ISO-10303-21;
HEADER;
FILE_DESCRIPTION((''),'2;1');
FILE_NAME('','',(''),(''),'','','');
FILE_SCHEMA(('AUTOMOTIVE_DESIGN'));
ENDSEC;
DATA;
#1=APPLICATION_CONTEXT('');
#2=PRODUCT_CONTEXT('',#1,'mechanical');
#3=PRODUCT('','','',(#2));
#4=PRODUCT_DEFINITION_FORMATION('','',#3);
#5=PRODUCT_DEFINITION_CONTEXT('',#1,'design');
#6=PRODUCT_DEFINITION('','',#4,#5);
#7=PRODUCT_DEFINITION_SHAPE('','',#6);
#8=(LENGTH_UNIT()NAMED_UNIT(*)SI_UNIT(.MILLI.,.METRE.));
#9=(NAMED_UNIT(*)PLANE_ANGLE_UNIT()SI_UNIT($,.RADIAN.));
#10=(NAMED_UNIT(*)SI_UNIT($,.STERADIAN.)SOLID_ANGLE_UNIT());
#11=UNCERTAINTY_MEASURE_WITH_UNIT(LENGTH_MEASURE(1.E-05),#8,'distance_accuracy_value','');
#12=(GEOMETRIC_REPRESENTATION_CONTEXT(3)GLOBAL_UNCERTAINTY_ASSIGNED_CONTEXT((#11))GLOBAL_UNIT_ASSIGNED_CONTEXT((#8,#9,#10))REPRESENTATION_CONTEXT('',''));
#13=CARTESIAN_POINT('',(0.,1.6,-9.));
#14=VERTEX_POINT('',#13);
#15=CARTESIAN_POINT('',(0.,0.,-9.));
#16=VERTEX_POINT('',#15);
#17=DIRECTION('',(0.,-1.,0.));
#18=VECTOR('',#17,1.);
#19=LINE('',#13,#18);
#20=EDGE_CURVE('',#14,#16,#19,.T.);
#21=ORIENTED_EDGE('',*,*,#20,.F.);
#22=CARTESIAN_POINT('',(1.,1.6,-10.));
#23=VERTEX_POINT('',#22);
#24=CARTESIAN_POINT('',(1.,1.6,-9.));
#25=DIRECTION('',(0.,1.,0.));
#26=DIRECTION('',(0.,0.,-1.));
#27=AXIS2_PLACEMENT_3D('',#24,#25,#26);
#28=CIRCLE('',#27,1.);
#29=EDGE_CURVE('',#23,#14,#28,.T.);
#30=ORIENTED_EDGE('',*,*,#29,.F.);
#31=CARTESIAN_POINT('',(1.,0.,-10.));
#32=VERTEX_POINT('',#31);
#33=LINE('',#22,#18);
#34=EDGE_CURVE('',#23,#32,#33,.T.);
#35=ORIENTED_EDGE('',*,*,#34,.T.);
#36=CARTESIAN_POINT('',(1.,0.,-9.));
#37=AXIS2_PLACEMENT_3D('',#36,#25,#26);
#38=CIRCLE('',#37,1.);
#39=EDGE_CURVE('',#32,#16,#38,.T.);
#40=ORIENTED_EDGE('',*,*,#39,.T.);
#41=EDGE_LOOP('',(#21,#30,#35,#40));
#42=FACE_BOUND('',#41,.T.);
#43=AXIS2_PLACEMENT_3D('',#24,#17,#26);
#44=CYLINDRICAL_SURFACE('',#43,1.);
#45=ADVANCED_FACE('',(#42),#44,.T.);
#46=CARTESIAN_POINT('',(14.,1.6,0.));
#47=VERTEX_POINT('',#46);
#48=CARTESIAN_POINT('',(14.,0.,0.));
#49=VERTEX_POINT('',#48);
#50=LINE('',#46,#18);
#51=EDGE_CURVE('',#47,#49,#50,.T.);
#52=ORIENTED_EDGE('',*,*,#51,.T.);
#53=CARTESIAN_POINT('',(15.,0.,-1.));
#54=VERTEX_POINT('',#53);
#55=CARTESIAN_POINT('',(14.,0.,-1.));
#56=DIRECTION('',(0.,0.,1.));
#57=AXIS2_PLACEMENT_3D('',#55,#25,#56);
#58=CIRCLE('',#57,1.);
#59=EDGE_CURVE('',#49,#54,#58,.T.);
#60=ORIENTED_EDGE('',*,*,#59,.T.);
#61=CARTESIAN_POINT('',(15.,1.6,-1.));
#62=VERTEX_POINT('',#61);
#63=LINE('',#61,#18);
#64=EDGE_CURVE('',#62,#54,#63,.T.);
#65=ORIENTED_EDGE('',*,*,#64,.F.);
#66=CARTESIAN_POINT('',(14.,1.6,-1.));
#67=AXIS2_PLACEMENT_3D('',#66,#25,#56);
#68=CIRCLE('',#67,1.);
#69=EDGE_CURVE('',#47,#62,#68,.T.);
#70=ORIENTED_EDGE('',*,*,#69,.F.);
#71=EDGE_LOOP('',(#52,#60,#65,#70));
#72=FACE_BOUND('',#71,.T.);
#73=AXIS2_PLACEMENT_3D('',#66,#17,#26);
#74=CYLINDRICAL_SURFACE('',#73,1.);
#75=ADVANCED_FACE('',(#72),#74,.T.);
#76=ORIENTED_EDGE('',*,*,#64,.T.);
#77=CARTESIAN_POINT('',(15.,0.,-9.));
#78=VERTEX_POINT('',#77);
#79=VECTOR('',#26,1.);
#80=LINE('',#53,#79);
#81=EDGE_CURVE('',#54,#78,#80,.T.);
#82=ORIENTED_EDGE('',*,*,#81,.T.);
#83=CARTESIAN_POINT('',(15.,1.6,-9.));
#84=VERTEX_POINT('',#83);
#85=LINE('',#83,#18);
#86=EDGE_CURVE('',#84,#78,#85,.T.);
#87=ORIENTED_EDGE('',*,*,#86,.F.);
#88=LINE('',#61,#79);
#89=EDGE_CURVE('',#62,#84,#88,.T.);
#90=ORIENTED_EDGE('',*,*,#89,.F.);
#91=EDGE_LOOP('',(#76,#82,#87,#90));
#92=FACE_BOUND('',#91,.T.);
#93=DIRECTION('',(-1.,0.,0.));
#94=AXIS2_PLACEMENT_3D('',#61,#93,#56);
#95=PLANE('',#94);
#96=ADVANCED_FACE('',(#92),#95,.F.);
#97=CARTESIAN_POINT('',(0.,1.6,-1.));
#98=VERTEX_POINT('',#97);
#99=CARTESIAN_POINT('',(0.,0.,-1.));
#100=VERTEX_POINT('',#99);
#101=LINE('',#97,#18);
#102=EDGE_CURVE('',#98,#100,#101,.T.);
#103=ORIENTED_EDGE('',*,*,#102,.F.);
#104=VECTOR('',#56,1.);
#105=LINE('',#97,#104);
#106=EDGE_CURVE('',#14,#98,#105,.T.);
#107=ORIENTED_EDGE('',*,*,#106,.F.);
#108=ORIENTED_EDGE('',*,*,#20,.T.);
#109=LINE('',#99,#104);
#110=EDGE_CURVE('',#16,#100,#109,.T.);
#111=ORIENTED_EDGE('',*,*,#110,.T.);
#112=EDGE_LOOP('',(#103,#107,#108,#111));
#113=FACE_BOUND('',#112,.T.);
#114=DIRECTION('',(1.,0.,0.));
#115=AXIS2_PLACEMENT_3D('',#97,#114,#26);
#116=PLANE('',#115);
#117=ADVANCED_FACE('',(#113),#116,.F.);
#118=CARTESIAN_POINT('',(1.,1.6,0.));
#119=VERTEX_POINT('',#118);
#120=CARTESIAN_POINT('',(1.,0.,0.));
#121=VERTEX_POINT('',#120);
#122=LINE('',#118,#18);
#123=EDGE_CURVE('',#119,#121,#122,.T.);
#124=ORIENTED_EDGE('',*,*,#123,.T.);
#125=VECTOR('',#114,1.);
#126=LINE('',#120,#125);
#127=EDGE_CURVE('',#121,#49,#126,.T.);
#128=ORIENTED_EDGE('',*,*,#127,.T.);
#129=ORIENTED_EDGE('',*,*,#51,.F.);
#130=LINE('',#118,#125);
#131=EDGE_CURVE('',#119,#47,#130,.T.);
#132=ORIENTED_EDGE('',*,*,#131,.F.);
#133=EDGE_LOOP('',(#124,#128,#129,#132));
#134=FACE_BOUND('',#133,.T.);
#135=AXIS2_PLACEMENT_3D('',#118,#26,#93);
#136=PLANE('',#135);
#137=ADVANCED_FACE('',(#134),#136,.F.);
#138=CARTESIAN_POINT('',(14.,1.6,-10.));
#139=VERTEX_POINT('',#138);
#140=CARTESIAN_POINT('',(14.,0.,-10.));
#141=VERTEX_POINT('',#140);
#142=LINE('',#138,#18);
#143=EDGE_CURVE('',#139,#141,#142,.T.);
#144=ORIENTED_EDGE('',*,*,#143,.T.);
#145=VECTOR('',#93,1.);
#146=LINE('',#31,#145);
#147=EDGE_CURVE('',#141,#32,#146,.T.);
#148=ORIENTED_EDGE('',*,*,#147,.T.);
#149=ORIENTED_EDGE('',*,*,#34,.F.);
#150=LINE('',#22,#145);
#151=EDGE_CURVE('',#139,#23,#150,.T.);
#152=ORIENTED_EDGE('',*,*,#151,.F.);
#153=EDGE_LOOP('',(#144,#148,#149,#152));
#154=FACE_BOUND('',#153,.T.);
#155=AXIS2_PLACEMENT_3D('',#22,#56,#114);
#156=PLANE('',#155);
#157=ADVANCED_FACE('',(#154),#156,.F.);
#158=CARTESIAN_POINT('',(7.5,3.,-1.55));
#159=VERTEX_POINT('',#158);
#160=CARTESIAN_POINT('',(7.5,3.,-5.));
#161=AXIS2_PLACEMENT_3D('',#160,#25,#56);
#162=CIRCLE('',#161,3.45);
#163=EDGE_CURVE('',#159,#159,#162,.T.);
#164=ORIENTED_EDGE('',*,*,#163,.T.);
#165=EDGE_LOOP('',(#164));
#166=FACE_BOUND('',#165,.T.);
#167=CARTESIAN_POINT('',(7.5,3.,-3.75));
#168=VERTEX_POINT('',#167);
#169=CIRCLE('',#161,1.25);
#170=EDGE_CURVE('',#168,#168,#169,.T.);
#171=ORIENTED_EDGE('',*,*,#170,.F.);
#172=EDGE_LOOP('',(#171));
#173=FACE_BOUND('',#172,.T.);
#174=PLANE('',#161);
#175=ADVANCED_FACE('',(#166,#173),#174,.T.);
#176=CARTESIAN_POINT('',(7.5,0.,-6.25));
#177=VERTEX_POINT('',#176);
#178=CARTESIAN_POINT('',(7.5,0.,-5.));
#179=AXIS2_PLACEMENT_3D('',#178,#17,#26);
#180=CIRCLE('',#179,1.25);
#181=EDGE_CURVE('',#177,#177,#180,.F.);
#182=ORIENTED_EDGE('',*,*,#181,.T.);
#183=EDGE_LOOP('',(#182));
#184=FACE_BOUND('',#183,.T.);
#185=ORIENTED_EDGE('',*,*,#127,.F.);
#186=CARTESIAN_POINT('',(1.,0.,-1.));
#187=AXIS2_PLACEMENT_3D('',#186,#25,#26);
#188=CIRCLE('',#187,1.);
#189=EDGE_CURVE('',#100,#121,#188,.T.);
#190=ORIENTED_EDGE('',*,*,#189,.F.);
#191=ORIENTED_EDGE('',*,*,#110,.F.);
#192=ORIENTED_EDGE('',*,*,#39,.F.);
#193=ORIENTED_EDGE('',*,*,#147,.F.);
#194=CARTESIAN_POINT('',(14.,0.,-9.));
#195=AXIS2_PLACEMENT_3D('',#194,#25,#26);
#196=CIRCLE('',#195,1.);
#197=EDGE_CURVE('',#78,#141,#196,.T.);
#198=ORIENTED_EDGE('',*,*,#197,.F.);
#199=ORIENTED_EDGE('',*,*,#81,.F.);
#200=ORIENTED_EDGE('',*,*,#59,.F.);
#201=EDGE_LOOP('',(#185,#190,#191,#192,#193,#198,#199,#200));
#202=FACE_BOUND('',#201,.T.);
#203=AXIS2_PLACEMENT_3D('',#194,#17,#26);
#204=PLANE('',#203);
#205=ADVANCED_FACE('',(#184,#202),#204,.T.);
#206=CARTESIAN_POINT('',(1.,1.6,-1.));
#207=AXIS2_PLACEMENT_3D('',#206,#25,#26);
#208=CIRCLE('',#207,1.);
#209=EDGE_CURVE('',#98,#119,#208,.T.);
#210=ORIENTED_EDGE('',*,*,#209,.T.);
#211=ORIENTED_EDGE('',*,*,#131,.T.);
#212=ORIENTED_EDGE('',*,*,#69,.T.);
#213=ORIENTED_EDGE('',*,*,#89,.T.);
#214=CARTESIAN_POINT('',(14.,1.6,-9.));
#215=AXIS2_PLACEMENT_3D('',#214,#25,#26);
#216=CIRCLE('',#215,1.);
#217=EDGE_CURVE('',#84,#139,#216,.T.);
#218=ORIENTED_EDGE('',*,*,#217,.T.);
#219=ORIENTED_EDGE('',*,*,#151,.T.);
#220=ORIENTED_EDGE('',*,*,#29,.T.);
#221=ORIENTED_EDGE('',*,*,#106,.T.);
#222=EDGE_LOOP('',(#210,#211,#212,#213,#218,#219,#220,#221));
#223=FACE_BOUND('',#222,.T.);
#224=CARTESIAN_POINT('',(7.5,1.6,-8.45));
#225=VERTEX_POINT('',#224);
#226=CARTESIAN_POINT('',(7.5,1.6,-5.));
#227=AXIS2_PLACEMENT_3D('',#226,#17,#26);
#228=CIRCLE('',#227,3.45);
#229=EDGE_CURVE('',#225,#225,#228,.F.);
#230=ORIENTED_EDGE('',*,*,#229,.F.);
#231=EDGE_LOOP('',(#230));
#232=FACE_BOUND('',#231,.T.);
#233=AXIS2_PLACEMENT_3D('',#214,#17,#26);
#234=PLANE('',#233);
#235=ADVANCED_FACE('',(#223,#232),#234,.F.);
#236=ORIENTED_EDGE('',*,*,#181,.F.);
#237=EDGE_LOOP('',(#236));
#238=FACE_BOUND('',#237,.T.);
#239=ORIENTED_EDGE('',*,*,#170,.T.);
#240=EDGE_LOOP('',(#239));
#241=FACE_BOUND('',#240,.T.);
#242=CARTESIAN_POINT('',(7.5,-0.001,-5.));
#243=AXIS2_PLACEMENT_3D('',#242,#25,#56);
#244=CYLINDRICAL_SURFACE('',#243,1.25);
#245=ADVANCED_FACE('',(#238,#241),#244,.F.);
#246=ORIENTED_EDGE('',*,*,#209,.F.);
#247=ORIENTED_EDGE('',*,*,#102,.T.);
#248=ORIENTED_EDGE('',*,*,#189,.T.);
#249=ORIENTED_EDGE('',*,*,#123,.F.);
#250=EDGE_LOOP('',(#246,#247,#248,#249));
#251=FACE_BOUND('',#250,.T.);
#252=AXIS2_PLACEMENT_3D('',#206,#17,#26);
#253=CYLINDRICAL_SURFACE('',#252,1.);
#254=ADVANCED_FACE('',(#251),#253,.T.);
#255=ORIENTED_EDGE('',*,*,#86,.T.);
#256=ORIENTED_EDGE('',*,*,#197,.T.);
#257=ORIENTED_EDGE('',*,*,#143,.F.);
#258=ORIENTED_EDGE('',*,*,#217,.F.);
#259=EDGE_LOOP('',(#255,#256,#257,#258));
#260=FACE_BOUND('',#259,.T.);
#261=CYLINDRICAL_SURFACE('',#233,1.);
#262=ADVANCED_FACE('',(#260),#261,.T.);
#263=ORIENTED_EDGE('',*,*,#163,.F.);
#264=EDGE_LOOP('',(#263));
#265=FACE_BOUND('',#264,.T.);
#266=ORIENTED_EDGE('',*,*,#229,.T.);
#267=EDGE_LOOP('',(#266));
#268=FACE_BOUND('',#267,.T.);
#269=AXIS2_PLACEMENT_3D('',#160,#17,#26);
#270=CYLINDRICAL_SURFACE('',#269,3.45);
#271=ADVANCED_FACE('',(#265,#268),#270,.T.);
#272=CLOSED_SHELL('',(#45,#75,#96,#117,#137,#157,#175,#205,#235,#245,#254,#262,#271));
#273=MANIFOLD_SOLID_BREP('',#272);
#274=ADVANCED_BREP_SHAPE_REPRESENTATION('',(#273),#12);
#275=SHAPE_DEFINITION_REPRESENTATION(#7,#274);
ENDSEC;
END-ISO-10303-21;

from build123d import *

# Parameters (mm, degrees)
SALIENTE_EXTRUIR1_DEPTH = 1.6
CROQUIS2_R              = 3.45
SALIENTE_EXTRUIR2_DEPTH = 1.4
CORTAR_EXTRUIR1_REACH   = 5
CROQUIS3_R              = 1.25


with BuildPart() as part:
    # Croquis1 → Saliente-Extruir1 (new body)
    with BuildSketch(Plane(origin=(0, 0, 0), x_dir=(1, 0, 0), z_dir=(0, 1, 0))):
        with BuildLine():
            Line((1, 0), (14, 0))
            ThreePointArc((14, 0), (14.707106781, 0.292893219), (15, 1))
            Line((15, 1), (15, 9))
            ThreePointArc((15, 9), (14.707106781, 9.707106781), (14, 10))
            Line((14, 10), (1, 10))
            ThreePointArc((1, 10), (0.292893219, 9.707106781), (0, 9))
            Line((0, 9), (0, 1))
            ThreePointArc((0, 1), (0.292893219, 0.292893219), (1, 0))
        make_face()
    extrude(amount=SALIENTE_EXTRUIR1_DEPTH)

    # Croquis2 → Saliente-Extruir2 (add)
    with BuildSketch(Plane(origin=(0, 1.6, 0), x_dir=(1, 0, 0), z_dir=(0, 1, 0))):
        with Locations((7.5, 5)):
            Circle(CROQUIS2_R)
    extrude(amount=SALIENTE_EXTRUIR2_DEPTH)

    # Croquis3 → Cortar-Extruir1 (cut, up to next)
    with BuildSketch(Plane(origin=(0, 3, 0), x_dir=(1, 0, 0), z_dir=(0, 1, 0)), mode=Mode.PRIVATE) as cortar_extruir1_sk1:
        with Locations((7.5, 5)):
            Circle(CROQUIS3_R)
    cortar_extruir1_tool1 = extrude(cortar_extruir1_sk1.sketch, amount=-CORTAR_EXTRUIR1_REACH, mode=Mode.PRIVATE) & part.part
    add(cortar_extruir1_tool1.solids().sort_by_distance((7.5, 3, -5))[0], mode=Mode.SUBTRACT)


solid = part.part
